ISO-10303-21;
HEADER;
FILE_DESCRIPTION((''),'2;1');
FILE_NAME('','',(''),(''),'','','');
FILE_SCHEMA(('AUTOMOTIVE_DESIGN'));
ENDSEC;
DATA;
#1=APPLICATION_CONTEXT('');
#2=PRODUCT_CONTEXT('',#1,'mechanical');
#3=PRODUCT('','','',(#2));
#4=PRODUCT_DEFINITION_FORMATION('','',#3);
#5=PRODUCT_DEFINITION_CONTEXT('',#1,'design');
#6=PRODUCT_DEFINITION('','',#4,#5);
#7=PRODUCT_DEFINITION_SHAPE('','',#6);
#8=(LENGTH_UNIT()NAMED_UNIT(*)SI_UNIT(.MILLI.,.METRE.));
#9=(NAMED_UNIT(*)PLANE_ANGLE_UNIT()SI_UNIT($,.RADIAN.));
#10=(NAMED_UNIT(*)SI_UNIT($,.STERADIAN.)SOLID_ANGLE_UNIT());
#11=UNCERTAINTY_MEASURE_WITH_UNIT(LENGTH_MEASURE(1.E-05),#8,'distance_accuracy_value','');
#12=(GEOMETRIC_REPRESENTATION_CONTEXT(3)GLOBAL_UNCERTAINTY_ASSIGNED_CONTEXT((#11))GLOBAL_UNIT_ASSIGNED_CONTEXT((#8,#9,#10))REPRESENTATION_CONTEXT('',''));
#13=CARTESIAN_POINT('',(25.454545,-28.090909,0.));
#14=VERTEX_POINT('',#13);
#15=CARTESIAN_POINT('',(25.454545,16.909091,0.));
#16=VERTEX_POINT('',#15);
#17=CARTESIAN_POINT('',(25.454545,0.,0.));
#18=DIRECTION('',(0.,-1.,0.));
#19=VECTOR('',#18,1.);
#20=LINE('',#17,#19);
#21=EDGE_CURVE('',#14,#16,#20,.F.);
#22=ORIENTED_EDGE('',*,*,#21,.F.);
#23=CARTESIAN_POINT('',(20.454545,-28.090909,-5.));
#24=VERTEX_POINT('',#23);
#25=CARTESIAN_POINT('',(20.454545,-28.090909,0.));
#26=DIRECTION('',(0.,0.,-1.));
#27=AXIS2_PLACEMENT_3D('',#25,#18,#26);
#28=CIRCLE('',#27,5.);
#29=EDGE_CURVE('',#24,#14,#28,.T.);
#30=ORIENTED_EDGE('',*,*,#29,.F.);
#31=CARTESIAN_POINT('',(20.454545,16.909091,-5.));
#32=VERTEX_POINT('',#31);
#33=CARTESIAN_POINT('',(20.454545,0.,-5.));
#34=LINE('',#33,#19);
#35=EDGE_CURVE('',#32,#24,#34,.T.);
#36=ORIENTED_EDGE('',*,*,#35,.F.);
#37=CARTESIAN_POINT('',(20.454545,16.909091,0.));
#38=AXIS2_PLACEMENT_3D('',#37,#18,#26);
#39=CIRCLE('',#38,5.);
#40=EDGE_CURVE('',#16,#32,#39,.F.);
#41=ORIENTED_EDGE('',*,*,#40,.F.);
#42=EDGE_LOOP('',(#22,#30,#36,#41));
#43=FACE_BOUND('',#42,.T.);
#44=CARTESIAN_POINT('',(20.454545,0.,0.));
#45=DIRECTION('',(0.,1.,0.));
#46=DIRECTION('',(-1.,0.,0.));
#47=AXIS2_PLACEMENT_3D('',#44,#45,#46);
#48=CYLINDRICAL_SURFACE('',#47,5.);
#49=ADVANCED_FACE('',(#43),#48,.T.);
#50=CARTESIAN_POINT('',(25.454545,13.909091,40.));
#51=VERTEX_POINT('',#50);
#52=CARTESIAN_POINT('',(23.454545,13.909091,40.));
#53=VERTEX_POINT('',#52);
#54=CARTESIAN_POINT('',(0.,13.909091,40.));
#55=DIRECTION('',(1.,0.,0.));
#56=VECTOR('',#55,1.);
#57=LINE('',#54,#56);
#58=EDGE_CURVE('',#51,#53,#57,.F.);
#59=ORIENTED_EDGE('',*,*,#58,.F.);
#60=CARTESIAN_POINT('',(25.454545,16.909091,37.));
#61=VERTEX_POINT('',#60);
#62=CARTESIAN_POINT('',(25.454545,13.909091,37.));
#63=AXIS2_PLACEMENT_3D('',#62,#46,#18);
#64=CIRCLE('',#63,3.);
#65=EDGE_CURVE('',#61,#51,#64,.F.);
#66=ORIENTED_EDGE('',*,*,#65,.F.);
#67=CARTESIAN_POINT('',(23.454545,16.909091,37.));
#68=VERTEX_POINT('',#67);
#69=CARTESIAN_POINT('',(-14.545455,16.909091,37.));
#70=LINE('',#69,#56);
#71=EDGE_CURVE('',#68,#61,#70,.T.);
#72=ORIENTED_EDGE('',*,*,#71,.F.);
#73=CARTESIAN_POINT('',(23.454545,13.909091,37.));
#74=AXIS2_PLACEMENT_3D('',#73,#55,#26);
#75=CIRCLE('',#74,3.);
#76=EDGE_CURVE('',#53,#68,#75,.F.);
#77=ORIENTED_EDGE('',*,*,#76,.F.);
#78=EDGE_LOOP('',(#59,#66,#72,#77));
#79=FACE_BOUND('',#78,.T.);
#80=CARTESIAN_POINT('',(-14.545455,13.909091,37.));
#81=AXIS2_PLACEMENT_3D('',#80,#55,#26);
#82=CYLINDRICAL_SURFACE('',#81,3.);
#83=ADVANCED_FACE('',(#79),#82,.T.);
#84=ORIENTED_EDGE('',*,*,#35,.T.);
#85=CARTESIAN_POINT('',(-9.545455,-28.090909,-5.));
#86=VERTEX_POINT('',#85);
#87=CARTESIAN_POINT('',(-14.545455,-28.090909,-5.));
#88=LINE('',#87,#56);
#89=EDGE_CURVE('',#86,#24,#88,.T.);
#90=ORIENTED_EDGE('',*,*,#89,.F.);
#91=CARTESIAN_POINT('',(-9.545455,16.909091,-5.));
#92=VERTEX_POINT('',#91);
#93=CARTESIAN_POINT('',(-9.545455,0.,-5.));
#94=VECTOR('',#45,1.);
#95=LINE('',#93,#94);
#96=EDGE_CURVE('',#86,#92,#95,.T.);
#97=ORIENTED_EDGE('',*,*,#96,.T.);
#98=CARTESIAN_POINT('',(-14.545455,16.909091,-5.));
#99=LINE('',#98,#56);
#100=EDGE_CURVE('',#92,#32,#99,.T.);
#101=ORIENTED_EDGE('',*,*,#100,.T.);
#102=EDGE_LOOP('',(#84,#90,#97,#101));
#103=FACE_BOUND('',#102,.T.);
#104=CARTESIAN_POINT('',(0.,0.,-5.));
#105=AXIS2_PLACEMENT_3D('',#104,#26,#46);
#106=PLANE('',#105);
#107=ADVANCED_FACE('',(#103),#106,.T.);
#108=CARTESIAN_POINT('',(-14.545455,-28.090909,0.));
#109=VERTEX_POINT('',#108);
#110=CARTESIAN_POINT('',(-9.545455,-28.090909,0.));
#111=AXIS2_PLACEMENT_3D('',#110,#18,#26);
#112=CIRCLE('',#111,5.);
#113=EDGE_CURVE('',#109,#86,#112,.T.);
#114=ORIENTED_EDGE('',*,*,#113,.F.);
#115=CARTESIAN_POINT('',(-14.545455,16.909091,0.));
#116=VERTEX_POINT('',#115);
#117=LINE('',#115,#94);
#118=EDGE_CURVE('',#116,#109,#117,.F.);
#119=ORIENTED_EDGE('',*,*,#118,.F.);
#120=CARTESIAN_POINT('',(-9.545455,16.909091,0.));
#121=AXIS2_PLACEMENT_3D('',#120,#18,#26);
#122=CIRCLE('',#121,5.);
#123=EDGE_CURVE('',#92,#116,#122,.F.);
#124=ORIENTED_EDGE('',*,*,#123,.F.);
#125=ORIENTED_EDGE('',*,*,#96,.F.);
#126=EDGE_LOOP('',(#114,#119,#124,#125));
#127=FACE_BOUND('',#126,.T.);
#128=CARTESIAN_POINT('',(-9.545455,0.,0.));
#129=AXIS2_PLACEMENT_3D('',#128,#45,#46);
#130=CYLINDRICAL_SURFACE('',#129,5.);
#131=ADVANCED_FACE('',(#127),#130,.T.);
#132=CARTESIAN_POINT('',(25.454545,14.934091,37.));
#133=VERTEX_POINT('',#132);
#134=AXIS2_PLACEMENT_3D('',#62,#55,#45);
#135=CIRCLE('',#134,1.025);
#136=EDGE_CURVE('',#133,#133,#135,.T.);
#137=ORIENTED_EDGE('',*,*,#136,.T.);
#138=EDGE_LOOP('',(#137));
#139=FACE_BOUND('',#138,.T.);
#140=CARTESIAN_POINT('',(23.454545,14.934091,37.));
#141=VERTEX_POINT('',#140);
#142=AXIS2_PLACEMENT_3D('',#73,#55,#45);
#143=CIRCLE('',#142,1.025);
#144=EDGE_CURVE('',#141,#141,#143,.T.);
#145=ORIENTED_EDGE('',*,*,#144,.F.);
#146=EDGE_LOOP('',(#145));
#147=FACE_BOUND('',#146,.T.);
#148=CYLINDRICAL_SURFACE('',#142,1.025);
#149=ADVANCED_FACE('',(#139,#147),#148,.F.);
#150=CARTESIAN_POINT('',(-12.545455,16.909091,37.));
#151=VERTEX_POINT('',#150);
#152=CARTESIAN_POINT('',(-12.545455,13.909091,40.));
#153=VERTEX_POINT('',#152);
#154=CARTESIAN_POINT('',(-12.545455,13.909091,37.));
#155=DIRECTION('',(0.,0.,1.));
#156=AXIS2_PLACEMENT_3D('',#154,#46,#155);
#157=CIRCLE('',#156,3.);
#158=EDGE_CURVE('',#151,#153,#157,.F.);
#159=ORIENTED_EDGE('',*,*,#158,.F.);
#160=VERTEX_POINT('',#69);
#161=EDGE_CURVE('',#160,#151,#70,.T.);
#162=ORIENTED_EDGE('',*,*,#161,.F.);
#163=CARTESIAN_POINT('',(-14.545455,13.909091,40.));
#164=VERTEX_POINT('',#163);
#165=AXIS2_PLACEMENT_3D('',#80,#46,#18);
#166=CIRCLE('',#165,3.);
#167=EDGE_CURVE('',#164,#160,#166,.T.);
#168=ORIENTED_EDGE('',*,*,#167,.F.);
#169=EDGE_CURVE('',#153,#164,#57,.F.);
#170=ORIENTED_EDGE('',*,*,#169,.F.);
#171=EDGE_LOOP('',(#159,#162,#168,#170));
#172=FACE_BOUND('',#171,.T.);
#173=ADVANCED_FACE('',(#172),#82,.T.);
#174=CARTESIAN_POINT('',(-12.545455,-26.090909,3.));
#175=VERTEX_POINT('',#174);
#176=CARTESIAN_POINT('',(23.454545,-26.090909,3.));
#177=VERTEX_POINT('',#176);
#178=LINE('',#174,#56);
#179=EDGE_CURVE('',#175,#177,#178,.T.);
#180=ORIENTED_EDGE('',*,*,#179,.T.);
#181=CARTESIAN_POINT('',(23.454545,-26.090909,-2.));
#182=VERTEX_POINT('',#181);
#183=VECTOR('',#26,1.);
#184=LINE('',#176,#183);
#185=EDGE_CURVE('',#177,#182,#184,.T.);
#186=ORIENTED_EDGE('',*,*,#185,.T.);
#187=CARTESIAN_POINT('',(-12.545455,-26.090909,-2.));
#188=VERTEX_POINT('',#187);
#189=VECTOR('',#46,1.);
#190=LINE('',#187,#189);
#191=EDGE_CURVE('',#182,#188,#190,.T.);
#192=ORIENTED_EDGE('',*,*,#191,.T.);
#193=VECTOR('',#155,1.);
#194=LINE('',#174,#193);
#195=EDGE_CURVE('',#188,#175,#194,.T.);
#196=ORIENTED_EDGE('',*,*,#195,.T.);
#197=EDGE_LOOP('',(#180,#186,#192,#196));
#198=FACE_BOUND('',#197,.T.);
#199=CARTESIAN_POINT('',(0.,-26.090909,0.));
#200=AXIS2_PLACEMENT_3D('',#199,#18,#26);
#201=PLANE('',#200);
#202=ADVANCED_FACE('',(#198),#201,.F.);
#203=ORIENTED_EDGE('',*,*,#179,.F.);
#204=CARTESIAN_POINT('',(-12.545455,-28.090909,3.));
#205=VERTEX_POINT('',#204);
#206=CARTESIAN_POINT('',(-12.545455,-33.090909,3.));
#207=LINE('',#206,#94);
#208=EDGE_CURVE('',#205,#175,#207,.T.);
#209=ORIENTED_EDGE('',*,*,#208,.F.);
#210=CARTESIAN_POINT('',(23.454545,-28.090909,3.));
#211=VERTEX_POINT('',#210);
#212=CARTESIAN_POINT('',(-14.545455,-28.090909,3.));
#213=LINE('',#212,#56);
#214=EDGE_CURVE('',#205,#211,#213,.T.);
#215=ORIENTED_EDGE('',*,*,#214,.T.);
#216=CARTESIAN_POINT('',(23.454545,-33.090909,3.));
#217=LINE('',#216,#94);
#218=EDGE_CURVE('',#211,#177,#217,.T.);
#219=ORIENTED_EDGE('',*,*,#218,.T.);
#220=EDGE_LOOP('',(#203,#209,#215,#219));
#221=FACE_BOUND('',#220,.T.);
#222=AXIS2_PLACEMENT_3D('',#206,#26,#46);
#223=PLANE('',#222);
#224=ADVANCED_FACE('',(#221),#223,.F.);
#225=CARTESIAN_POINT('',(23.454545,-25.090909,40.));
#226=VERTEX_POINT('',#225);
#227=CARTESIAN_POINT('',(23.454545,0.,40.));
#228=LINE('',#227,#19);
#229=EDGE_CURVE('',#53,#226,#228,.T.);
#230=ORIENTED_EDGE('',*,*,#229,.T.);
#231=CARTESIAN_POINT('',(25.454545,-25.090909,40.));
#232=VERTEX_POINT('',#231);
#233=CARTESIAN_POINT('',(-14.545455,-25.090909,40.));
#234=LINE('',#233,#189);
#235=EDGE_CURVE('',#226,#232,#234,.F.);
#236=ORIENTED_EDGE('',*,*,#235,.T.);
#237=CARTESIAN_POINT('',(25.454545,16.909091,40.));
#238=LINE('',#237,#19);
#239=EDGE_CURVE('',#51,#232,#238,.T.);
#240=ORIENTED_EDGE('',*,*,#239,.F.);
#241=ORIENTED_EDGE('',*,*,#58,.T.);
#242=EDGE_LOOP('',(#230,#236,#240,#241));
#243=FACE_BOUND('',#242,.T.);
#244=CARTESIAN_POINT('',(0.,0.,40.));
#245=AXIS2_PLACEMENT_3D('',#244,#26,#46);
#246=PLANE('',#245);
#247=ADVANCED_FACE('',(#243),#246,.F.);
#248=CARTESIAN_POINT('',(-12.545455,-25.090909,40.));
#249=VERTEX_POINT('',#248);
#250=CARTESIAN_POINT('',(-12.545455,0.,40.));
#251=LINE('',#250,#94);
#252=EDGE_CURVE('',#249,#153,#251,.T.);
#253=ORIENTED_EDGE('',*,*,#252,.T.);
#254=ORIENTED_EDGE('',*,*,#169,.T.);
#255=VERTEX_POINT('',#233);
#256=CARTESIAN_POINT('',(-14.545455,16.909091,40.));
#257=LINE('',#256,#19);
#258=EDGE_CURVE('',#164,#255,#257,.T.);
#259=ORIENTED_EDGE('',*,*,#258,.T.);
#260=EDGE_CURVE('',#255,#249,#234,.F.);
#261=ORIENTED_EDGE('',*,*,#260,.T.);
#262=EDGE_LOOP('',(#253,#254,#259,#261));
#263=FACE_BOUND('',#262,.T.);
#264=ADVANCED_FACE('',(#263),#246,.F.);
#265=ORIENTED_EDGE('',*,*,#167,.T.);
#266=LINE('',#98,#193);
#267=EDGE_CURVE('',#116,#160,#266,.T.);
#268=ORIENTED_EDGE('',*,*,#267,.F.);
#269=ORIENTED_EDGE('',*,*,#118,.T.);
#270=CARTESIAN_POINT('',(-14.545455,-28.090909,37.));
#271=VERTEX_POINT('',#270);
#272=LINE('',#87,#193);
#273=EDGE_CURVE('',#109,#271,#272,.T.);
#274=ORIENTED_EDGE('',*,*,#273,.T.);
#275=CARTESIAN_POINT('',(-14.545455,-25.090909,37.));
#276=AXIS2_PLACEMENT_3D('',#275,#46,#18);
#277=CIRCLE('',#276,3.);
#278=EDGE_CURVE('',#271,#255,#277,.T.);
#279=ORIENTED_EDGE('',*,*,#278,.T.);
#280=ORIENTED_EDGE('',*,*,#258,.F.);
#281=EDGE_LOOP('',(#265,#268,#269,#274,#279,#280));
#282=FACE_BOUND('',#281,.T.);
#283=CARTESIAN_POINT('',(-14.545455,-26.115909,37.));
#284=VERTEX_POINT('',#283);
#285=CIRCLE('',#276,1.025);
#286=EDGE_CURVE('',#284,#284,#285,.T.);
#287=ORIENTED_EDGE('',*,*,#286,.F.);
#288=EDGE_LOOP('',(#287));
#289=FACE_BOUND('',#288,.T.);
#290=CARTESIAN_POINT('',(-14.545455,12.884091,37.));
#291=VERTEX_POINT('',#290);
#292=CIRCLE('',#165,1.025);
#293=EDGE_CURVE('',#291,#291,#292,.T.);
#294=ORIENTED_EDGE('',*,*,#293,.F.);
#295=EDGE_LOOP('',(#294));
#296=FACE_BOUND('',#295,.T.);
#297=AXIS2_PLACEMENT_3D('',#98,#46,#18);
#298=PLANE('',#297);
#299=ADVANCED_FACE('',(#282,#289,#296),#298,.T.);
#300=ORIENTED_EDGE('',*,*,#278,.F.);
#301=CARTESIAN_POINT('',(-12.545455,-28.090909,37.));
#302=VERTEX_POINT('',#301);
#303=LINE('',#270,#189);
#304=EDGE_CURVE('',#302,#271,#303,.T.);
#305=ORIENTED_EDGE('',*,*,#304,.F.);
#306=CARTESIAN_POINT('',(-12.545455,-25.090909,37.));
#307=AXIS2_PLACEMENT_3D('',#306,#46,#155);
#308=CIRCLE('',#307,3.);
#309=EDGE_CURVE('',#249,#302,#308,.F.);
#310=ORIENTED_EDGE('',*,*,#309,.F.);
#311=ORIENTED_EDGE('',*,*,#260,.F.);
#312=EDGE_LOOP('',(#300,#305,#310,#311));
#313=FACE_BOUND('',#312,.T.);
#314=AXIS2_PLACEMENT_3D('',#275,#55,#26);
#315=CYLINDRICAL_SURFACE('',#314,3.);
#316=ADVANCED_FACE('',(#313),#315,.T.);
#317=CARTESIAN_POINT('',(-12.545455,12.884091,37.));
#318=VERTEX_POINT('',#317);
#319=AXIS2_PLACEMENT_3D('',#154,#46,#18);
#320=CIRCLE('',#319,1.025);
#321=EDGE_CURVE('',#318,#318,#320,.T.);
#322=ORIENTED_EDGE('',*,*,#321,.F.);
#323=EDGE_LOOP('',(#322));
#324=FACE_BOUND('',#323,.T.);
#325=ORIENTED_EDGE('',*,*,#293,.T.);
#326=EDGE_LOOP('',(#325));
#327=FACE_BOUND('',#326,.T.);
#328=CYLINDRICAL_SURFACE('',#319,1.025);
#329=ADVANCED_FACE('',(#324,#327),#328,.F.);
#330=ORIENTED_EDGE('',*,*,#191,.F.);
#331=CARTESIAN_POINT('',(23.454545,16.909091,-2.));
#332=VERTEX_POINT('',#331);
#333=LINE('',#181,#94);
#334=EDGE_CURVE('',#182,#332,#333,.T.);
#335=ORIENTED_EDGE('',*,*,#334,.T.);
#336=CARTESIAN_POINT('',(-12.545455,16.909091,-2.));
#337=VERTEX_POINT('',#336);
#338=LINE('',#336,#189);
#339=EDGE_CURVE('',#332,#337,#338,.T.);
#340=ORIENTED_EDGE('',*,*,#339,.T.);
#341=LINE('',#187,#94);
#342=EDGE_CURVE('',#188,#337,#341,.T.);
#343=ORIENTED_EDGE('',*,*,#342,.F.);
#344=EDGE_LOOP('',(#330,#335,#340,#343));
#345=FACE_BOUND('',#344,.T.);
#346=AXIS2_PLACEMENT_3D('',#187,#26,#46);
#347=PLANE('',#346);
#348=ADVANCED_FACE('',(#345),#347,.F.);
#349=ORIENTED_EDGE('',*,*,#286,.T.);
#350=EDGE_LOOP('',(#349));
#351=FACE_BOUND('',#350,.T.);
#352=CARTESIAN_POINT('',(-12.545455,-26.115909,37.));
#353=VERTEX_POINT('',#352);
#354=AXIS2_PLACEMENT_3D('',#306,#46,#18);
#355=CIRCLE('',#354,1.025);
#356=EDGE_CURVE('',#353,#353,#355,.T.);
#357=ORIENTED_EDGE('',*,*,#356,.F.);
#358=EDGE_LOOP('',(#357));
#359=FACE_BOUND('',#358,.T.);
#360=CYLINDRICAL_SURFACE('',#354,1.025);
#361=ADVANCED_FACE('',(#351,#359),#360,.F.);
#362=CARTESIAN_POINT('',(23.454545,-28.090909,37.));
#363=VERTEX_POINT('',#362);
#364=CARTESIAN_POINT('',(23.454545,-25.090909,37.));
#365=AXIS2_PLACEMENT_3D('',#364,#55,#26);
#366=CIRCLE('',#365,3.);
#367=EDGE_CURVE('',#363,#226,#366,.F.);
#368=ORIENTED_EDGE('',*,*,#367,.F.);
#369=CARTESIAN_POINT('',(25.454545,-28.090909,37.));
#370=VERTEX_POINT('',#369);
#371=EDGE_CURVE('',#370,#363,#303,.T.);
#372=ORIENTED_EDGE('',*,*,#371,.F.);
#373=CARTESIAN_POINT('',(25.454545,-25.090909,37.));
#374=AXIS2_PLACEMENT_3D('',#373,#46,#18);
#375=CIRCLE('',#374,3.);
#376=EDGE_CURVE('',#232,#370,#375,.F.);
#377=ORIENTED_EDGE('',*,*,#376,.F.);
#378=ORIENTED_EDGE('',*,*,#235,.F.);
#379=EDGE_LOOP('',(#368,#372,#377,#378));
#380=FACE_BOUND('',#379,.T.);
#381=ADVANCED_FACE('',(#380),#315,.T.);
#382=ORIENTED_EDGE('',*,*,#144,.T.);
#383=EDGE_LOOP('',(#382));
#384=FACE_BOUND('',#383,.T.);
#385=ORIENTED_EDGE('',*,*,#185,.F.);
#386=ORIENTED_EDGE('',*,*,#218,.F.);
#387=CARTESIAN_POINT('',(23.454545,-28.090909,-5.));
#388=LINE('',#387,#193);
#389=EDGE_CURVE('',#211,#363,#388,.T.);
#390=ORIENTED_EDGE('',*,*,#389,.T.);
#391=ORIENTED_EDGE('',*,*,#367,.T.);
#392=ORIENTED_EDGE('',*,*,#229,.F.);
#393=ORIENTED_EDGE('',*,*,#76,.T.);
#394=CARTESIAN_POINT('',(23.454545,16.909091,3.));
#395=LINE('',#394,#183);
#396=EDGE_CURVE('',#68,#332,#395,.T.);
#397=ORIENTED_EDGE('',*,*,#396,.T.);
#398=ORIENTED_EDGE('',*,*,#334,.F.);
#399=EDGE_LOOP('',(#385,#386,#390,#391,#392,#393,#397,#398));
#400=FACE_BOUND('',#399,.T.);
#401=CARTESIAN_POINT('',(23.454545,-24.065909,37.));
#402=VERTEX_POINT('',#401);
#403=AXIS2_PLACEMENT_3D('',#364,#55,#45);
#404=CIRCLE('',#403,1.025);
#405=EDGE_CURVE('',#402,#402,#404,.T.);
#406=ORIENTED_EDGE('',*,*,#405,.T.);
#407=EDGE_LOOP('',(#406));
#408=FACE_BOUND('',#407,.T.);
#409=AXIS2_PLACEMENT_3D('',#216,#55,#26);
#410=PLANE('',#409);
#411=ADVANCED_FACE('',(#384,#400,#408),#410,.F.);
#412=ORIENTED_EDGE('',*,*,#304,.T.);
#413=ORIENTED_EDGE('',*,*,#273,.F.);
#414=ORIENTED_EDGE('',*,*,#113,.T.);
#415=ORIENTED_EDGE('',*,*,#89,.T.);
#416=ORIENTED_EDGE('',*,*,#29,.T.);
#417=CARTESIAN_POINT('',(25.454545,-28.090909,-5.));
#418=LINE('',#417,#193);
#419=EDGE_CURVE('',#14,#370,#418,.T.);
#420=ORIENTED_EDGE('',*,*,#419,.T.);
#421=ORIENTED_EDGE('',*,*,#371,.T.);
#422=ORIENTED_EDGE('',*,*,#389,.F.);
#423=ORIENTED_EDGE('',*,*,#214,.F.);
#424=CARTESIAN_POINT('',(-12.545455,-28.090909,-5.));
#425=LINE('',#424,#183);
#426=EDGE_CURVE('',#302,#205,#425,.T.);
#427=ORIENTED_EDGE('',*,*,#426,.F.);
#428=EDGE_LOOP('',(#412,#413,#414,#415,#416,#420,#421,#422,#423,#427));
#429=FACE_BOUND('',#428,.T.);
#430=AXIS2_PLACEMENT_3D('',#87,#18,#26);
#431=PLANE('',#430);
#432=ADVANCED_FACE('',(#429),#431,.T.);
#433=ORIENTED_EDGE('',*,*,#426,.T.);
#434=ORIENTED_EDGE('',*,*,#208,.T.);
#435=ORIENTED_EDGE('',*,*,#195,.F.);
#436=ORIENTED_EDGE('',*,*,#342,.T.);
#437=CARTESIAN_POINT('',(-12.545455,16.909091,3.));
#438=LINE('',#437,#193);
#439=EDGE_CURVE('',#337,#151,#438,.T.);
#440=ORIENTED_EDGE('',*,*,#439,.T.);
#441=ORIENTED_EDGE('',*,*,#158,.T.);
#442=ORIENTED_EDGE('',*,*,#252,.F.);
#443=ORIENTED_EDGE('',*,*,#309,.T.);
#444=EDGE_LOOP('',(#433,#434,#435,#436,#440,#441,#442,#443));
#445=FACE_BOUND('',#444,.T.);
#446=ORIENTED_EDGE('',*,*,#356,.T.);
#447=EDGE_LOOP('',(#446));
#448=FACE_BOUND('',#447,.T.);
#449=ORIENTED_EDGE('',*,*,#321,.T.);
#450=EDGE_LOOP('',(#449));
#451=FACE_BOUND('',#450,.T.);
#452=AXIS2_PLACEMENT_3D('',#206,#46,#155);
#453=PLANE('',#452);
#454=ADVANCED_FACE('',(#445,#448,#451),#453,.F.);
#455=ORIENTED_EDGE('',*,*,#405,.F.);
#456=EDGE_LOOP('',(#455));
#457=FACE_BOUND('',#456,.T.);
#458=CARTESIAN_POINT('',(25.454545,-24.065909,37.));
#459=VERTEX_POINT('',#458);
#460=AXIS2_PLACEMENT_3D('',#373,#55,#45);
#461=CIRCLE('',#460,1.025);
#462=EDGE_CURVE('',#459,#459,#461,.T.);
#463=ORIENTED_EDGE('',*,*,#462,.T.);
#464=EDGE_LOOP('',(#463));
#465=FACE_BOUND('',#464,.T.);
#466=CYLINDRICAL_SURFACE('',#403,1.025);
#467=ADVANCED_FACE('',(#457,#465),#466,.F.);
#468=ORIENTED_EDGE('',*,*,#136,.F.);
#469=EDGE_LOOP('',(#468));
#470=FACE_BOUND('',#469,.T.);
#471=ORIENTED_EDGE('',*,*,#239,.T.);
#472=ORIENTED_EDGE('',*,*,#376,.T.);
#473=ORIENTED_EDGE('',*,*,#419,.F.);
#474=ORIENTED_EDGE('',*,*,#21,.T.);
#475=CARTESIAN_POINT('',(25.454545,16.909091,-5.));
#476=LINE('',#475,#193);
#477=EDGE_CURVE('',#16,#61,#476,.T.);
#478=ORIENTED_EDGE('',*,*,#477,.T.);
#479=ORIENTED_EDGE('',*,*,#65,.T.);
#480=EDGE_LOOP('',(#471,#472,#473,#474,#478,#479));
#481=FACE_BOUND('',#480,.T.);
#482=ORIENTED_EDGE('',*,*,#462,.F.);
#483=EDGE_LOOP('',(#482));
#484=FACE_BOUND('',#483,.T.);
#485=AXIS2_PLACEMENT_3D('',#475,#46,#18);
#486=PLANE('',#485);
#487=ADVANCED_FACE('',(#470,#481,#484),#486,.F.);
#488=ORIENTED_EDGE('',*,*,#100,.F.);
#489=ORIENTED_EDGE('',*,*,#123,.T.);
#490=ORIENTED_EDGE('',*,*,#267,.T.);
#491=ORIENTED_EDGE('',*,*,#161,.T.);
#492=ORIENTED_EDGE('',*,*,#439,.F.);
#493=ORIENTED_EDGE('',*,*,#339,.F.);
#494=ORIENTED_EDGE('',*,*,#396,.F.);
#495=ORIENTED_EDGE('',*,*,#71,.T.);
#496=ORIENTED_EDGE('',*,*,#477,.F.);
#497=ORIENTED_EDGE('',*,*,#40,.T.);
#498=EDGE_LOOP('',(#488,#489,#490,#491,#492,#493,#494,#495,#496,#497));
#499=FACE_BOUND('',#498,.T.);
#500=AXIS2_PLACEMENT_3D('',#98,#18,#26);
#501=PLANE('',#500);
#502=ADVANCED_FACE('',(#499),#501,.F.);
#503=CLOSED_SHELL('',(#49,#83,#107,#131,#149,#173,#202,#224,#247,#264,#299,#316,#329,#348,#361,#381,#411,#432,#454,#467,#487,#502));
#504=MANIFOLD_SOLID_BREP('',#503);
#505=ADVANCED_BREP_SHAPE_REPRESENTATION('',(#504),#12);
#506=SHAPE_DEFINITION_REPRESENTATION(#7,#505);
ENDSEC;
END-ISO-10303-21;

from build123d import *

# Parameters (mm, degrees)
SKETCH_1_W           = 40
SKETCH_1_H           = 45
EXTRUDE_1_DEPTH      = 40
EXTRUDE_1_DEPTH_BACK = 5
SKETCH_2_W           = 36
SKETCH_2_H           = 37
CUT_EXTRUDE_1_DEPTH  = 50
SKETCH_3_R           = 1.025
CUT_EXTRUDE_2_DEPTH  = 2
SKETCH_4_R           = 1.025
CUT_EXTRUDE_3_DEPTH  = 2
SKETCH_5_W           = 36
SKETCH_5_H           = 5
CUT_EXTRUDE_4_DEPTH  = 43
FILLET_6_R           = 5
FILLET_7_R           = 5
FILLET_12_R          = 3
FILLET_13_R          = 3
FILLET_14_R          = 3
FILLET_15_R          = 3


with BuildPart() as part:
    # 草圖1 → 填料-伸長1 (new body, two sides)
    with BuildSketch(Plane.XY) as extrude_1_sk:
        with Locations((5.454545455, -5.590909091)):
            Rectangle(SKETCH_1_W, SKETCH_1_H)
    extrude(amount=EXTRUDE_1_DEPTH)
    extrude(extrude_1_sk.sketch, amount=-EXTRUDE_1_DEPTH_BACK)

    # 草圖2 → 除料-伸長1 (cut)
    with BuildSketch(Plane(origin=(0, 16.909090909, 0), x_dir=(1, 0, 0), z_dir=(0, 1, 0))):
        with Locations((5.454545455, -21.5)):
            Rectangle(SKETCH_2_W, SKETCH_2_H)
    extrude(amount=-CUT_EXTRUDE_1_DEPTH, mode=Mode.SUBTRACT)

    # 草圖3 → 除料-伸長2 (cut)
    with BuildSketch(Plane.ZY.offset(14.545454545)):
        with Locations((37, -25.090909091)):
            Circle(SKETCH_3_R)
        with Locations((37, 13.909090909)):
            Circle(SKETCH_3_R)
    extrude(amount=-CUT_EXTRUDE_2_DEPTH, mode=Mode.SUBTRACT)

    # 草圖4 → 除料-伸長3 (cut)
    with BuildSketch(Plane(origin=(25.454545455, 0, 0), x_dir=(0, 0, -1), z_dir=(1, 0, 0))):
        with Locations((-37, 13.909090909)):
            Circle(SKETCH_4_R)
        with Locations((-37, -25.090909091)):
            Circle(SKETCH_4_R)
    extrude(amount=-CUT_EXTRUDE_3_DEPTH, mode=Mode.SUBTRACT)

    # 草圖5 → 除料-伸長4 (cut)
    with BuildSketch(Plane(origin=(0, 16.909090909, 0), x_dir=(1, 0, 0), z_dir=(0, 1, 0))):
        with Locations((5.454545455, -0.5)):
            Rectangle(SKETCH_5_W, SKETCH_5_H)
    extrude(amount=-CUT_EXTRUDE_4_DEPTH, mode=Mode.SUBTRACT)

    # 圓角6
    fillet_6_edges = [part.edges().sort_by_distance(p)[0] for p in [
        (-14.545454545, -5.590909091, -5),
    ]]
    fillet(fillet_6_edges, radius=FILLET_6_R)

    # 圓角7
    fillet_7_edges = [part.edges().sort_by_distance(p)[0] for p in [
        (25.454545455, -5.590909091, -5),
    ]]
    fillet(fillet_7_edges, radius=FILLET_7_R)

    # 圓角12
    fillet_12_edges = [part.edges().sort_by_distance(p)[0] for p in [
        (-13.545454545, -28.090909091, 40),
    ]]
    fillet(fillet_12_edges, radius=FILLET_12_R)

    # 圓角13
    fillet_13_edges = [part.edges().sort_by_distance(p)[0] for p in [
        (24.454545455, -28.090909091, 40),
    ]]
    fillet(fillet_13_edges, radius=FILLET_13_R)

    # 圓角14
    fillet_14_edges = [part.edges().sort_by_distance(p)[0] for p in [
        (-13.545454545, 16.909090909, 40),
    ]]
    fillet(fillet_14_edges, radius=FILLET_14_R)

    # 圓角15
    fillet_15_edges = [part.edges().sort_by_distance(p)[0] for p in [
        (24.454545455, 16.909090909, 40),
    ]]
    fillet(fillet_15_edges, radius=FILLET_15_R)


solid = part.part
